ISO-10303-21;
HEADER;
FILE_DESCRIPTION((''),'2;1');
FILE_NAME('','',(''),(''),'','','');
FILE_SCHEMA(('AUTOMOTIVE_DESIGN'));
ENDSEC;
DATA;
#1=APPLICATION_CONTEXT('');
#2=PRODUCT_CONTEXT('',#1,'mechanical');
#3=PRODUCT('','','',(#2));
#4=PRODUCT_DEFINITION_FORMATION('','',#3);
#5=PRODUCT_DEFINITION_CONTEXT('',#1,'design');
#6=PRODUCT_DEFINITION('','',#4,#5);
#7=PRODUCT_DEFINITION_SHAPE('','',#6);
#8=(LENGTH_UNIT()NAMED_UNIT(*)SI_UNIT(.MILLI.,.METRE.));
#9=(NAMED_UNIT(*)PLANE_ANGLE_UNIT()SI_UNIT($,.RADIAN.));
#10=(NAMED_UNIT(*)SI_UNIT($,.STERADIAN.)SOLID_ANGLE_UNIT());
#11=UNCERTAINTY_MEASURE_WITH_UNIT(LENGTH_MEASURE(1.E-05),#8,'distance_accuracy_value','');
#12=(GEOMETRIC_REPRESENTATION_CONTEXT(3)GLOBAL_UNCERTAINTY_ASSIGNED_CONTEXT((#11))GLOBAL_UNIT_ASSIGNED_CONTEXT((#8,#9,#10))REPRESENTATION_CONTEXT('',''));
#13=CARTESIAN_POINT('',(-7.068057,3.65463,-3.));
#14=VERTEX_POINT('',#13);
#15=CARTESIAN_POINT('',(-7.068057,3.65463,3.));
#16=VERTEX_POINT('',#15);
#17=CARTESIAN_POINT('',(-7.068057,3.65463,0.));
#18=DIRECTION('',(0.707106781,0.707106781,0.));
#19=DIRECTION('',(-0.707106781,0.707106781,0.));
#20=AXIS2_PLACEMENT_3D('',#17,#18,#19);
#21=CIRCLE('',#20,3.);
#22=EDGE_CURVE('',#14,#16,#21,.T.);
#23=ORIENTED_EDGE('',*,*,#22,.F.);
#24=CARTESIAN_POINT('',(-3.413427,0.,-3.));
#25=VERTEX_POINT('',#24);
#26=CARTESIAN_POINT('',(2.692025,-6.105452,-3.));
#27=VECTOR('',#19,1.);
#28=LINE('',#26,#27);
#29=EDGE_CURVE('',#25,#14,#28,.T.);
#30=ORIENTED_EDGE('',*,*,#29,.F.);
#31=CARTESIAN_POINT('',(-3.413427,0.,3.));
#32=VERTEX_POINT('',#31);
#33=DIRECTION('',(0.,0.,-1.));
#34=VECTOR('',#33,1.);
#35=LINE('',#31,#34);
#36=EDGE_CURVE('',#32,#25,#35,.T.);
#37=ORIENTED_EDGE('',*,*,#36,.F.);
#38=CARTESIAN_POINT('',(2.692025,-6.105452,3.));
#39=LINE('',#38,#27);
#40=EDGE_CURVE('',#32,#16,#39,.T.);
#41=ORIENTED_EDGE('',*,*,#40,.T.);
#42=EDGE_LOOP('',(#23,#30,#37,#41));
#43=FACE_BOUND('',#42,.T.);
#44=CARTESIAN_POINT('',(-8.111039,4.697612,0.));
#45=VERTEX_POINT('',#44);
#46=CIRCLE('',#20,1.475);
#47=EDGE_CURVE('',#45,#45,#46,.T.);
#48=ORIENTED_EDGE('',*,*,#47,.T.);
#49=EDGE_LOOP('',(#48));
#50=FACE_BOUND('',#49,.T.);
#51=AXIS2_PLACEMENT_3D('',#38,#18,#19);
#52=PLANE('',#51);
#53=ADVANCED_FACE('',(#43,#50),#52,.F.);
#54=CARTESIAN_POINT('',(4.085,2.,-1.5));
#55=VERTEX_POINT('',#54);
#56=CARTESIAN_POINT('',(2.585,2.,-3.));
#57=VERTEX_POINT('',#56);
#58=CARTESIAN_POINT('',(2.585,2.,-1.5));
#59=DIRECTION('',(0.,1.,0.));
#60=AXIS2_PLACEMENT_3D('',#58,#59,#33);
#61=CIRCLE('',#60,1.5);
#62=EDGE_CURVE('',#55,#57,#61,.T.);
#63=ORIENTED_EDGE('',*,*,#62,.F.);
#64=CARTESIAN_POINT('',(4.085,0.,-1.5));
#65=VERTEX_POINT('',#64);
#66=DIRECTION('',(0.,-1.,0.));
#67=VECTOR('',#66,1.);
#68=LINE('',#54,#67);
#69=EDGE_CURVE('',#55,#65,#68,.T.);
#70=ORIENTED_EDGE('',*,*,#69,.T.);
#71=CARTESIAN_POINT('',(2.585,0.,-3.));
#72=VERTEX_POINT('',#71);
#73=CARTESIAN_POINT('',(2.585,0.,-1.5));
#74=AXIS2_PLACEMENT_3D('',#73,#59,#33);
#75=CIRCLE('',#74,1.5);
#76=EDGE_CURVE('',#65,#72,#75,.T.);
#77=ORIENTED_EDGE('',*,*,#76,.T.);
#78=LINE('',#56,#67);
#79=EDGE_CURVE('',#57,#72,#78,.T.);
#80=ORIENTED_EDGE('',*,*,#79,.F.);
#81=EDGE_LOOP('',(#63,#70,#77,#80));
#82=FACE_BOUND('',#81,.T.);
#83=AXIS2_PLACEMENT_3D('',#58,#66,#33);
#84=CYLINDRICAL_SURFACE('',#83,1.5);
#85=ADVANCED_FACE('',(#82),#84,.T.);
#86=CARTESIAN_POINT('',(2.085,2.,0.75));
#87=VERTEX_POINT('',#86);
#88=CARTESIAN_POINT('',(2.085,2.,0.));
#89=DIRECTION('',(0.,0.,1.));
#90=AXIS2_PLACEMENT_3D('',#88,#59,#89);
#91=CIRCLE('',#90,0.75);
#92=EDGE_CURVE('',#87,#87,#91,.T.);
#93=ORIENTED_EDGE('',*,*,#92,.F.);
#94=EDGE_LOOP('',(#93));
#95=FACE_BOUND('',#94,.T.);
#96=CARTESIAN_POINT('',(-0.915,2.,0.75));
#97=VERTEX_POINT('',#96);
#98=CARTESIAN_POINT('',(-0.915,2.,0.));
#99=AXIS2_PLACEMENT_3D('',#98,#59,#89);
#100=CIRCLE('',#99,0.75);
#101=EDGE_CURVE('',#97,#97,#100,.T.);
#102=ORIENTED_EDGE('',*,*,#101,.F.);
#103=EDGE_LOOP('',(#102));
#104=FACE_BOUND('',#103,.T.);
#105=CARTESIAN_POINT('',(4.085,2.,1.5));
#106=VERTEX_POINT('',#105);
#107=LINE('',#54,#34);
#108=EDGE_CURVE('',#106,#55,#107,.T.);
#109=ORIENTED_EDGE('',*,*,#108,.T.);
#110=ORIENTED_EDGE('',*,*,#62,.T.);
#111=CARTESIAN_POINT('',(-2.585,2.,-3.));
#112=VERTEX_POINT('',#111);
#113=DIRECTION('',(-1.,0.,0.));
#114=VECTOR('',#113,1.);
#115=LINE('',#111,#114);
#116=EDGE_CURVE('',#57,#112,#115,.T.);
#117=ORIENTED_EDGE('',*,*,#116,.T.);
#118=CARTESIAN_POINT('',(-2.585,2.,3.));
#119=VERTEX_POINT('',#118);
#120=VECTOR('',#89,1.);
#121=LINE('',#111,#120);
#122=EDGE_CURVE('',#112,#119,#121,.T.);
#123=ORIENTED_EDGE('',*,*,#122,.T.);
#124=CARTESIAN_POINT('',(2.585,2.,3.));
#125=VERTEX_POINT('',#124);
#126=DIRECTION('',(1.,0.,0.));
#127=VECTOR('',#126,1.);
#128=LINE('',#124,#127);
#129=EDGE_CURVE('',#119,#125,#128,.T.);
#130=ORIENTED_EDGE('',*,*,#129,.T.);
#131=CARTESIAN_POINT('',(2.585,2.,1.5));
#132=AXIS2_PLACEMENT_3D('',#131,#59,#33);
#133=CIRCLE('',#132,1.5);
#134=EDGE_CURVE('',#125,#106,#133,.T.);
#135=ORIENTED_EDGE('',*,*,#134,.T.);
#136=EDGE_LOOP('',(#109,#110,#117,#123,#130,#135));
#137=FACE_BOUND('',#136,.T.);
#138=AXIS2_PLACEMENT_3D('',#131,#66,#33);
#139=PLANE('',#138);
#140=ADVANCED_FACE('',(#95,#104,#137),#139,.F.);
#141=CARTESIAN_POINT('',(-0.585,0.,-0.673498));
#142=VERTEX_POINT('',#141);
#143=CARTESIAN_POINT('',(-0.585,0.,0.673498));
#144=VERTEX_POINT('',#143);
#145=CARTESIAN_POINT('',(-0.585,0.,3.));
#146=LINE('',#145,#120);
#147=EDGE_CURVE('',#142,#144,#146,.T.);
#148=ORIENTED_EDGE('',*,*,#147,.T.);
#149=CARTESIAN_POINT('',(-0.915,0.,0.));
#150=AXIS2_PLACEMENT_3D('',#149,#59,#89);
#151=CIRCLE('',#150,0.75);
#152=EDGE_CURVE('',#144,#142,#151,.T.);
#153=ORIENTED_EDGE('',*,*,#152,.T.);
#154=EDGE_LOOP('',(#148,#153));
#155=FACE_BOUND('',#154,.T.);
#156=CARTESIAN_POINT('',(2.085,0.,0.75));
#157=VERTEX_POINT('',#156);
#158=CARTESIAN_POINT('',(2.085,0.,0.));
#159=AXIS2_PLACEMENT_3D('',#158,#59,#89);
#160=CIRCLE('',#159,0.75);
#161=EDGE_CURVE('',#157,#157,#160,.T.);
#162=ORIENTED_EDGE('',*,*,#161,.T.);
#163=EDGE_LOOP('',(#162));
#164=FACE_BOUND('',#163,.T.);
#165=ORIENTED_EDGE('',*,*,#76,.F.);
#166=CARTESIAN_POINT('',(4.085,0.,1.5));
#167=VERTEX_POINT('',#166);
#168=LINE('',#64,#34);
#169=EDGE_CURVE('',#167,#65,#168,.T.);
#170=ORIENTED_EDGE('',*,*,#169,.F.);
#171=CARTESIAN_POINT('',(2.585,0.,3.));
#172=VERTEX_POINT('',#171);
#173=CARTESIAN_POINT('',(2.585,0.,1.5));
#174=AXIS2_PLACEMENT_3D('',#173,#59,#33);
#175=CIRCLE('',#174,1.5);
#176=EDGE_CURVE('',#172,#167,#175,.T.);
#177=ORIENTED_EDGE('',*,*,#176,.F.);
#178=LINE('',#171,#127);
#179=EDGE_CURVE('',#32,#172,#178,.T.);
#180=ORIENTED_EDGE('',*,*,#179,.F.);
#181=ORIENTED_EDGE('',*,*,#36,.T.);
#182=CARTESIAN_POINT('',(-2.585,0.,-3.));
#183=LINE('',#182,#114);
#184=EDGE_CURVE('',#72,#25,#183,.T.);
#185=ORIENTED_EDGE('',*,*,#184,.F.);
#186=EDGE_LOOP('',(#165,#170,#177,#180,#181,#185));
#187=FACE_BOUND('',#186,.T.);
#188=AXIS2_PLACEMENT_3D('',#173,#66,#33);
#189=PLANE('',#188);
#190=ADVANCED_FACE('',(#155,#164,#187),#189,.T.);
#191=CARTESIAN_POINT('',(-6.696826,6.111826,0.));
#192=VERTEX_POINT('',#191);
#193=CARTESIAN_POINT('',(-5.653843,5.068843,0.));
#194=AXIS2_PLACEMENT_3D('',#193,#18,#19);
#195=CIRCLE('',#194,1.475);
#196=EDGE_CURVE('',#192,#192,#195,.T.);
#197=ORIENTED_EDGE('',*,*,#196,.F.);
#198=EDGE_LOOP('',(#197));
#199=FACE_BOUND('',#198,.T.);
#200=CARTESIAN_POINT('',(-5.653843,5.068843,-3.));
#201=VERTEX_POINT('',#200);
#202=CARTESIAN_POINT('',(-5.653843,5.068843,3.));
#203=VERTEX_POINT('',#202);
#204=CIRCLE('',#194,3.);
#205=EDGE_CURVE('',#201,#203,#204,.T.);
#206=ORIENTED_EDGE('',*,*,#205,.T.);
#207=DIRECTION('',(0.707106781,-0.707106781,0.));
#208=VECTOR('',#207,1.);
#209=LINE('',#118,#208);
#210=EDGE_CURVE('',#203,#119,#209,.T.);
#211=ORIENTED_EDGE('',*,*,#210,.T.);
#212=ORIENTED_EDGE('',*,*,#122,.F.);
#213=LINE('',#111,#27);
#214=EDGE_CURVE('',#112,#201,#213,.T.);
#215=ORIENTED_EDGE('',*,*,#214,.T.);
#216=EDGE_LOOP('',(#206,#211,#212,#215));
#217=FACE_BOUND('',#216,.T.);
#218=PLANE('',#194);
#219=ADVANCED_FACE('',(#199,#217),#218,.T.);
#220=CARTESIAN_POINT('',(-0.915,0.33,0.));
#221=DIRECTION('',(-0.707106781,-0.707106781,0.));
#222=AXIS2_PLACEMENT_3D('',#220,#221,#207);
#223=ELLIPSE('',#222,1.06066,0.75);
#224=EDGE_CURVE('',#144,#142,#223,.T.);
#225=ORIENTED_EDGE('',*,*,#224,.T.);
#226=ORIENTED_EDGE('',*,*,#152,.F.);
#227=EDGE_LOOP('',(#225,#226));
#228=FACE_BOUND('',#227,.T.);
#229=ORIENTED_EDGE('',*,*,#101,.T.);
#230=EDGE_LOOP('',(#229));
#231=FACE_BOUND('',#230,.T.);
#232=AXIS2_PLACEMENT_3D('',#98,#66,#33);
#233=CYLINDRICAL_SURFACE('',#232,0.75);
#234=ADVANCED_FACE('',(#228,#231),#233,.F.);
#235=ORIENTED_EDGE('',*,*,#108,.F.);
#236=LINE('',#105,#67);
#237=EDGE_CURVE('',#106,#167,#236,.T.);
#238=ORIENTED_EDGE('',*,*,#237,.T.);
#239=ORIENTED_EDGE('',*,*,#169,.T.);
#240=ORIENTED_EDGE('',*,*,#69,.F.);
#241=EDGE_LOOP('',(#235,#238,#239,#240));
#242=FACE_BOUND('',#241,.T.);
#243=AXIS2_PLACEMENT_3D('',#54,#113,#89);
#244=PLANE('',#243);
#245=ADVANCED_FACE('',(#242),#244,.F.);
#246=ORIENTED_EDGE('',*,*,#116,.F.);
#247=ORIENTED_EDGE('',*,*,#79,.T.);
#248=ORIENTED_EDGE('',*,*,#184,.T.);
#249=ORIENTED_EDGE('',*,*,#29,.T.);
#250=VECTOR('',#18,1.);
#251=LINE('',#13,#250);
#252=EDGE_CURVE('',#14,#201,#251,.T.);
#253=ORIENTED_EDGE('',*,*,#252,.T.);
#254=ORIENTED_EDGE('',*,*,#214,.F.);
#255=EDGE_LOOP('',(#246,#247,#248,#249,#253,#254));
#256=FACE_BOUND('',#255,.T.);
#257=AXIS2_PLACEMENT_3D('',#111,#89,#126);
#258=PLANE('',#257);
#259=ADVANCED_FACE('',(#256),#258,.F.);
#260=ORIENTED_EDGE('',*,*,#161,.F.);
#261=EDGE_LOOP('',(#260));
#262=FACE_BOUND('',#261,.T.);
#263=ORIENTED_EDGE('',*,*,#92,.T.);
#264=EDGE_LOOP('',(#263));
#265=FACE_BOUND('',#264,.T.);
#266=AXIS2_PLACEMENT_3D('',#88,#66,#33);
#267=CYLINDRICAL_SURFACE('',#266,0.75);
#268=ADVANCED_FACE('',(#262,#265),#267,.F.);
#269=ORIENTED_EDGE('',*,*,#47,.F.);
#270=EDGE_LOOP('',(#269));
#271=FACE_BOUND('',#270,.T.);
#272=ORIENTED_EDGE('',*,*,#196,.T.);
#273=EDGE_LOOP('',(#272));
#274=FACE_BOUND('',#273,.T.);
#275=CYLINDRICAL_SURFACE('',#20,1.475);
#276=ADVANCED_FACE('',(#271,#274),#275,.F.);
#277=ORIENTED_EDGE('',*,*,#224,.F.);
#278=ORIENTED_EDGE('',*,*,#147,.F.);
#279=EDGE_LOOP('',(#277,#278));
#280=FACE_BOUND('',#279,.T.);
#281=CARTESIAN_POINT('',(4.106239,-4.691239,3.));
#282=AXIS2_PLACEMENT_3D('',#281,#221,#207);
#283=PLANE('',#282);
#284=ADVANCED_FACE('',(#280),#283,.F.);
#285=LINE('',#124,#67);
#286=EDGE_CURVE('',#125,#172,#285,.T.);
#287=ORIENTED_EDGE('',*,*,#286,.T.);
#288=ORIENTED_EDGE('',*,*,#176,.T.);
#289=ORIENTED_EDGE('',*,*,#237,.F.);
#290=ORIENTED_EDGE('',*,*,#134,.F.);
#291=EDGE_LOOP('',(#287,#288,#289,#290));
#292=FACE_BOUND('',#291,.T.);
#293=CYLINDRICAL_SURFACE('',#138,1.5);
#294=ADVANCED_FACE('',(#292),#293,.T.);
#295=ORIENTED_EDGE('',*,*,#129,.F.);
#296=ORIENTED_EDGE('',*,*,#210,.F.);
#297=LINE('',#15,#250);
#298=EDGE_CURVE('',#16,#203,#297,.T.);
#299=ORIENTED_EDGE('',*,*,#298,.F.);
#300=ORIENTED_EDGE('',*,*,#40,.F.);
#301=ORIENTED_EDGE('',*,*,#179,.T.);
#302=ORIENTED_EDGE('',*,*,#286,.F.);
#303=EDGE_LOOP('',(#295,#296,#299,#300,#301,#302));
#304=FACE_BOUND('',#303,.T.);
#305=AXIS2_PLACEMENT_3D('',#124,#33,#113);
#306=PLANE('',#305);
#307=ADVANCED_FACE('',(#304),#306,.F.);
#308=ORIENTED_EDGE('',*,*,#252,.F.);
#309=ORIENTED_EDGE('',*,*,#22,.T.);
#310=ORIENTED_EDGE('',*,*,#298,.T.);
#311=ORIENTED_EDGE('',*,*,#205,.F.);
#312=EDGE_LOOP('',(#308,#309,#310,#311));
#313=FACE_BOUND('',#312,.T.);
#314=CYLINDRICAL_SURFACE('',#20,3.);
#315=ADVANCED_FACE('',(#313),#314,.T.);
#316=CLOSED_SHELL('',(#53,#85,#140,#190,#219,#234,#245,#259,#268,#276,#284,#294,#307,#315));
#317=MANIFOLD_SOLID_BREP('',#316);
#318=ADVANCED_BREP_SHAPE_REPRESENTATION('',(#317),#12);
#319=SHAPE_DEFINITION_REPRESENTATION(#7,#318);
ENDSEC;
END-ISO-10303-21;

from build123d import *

# Parameters (mm, degrees)
CROQUIS2_R              = 0.75
SALIENTE_EXTRUIR1_DEPTH = 2
CROQUIS6_R              = 1.475
SALIENTE_EXTRUIR3_DEPTH = 2
SALIENTE_EXTRUIR4_REACH = 10.975
CROQUIS8_W              = 6
CROQUIS8_H              = 2


with BuildPart() as part:
    # Croquis2 → Saliente-Extruir1 (new body)
    with BuildSketch(Plane(origin=(0, 0, 0), x_dir=(1, 0, 0), z_dir=(0, 1, 0))):
        with BuildLine():
            Line((-2.585, 3), (2.585, 3))
            ThreePointArc((2.585, 3), (3.645660172, 2.560660172), (4.085, 1.5))
            Line((4.085, 1.5), (4.085, -1.5))
            ThreePointArc((4.085, -1.5), (3.645660172, -2.560660172), (2.585, -3))
            Line((2.585, -3), (-2.585, -3))
            Line((-2.585, -3), (-2.585, 3))
        make_face()
        with Locations(Location((-0.915, 0, 0), (0, 0, 270))):
            Circle(CROQUIS2_R, mode=Mode.SUBTRACT)
        with Locations(Location((2.085, 0, 0), (0, 0, 270))):
            Circle(CROQUIS2_R, mode=Mode.SUBTRACT)
    extrude(amount=SALIENTE_EXTRUIR1_DEPTH)



with BuildPart() as body_2:
    # Croquis6 → Saliente-Extruir3 (new body)
    with BuildSketch(Plane(origin=(-0.2925, -0.2925, 0), x_dir=(0, 0, 1), z_dir=(0.7071067811865438, 0.7071067811865512, 0))):
        with BuildLine():
            Line((-3, -3.242084592), (3, -3.242084592))
            Line((3, -3.242084592), (3, -7.582084592))
            ThreePointArc((3, -7.582084592), (0, -10.582084592), (-3, -7.582084592))
            Line((-3, -7.582084592), (-3, -3.242084592))
        make_face()
        with Locations(Location((0, -7.582084592, 0), (0, 0, 270))):
            Circle(CROQUIS6_R, mode=Mode.SUBTRACT)
    extrude(amount=-SALIENTE_EXTRUIR3_DEPTH)


with BuildPart() as part_1:
    add(part.part)

    add(body_2.part)  # Saliente-Extruir4 merges body 2
    # Saliente-Extruir4: up to this plane
    saliente_extruir4_end = Plane(origin=(2.585, 0, 1.5), z_dir=(0, -1, 0))
    # Croquis8 → Saliente-Extruir4 (add, up to the surface)
    with BuildSketch(Plane(origin=(-2.2925, 2.2925, 0), x_dir=(0, 0, -1), z_dir=(0.7071067811865513, -0.7071067811865438, 0)), mode=Mode.PRIVATE) as saliente_extruir4_sk1:
        with Locations((0, -1.413657467)):
            Rectangle(CROQUIS8_W, CROQUIS8_H)
    saliente_extruir4_tool1 = split(extrude(saliente_extruir4_sk1.sketch, amount=SALIENTE_EXTRUIR4_REACH, mode=Mode.PRIVATE), bisect_by=saliente_extruir4_end, keep=Keep.BOTH, mode=Mode.PRIVATE)
    add(saliente_extruir4_tool1.solids().sort_by_distance((-3.292107, 1.292893, 0))[0])


solid = part_1.part
